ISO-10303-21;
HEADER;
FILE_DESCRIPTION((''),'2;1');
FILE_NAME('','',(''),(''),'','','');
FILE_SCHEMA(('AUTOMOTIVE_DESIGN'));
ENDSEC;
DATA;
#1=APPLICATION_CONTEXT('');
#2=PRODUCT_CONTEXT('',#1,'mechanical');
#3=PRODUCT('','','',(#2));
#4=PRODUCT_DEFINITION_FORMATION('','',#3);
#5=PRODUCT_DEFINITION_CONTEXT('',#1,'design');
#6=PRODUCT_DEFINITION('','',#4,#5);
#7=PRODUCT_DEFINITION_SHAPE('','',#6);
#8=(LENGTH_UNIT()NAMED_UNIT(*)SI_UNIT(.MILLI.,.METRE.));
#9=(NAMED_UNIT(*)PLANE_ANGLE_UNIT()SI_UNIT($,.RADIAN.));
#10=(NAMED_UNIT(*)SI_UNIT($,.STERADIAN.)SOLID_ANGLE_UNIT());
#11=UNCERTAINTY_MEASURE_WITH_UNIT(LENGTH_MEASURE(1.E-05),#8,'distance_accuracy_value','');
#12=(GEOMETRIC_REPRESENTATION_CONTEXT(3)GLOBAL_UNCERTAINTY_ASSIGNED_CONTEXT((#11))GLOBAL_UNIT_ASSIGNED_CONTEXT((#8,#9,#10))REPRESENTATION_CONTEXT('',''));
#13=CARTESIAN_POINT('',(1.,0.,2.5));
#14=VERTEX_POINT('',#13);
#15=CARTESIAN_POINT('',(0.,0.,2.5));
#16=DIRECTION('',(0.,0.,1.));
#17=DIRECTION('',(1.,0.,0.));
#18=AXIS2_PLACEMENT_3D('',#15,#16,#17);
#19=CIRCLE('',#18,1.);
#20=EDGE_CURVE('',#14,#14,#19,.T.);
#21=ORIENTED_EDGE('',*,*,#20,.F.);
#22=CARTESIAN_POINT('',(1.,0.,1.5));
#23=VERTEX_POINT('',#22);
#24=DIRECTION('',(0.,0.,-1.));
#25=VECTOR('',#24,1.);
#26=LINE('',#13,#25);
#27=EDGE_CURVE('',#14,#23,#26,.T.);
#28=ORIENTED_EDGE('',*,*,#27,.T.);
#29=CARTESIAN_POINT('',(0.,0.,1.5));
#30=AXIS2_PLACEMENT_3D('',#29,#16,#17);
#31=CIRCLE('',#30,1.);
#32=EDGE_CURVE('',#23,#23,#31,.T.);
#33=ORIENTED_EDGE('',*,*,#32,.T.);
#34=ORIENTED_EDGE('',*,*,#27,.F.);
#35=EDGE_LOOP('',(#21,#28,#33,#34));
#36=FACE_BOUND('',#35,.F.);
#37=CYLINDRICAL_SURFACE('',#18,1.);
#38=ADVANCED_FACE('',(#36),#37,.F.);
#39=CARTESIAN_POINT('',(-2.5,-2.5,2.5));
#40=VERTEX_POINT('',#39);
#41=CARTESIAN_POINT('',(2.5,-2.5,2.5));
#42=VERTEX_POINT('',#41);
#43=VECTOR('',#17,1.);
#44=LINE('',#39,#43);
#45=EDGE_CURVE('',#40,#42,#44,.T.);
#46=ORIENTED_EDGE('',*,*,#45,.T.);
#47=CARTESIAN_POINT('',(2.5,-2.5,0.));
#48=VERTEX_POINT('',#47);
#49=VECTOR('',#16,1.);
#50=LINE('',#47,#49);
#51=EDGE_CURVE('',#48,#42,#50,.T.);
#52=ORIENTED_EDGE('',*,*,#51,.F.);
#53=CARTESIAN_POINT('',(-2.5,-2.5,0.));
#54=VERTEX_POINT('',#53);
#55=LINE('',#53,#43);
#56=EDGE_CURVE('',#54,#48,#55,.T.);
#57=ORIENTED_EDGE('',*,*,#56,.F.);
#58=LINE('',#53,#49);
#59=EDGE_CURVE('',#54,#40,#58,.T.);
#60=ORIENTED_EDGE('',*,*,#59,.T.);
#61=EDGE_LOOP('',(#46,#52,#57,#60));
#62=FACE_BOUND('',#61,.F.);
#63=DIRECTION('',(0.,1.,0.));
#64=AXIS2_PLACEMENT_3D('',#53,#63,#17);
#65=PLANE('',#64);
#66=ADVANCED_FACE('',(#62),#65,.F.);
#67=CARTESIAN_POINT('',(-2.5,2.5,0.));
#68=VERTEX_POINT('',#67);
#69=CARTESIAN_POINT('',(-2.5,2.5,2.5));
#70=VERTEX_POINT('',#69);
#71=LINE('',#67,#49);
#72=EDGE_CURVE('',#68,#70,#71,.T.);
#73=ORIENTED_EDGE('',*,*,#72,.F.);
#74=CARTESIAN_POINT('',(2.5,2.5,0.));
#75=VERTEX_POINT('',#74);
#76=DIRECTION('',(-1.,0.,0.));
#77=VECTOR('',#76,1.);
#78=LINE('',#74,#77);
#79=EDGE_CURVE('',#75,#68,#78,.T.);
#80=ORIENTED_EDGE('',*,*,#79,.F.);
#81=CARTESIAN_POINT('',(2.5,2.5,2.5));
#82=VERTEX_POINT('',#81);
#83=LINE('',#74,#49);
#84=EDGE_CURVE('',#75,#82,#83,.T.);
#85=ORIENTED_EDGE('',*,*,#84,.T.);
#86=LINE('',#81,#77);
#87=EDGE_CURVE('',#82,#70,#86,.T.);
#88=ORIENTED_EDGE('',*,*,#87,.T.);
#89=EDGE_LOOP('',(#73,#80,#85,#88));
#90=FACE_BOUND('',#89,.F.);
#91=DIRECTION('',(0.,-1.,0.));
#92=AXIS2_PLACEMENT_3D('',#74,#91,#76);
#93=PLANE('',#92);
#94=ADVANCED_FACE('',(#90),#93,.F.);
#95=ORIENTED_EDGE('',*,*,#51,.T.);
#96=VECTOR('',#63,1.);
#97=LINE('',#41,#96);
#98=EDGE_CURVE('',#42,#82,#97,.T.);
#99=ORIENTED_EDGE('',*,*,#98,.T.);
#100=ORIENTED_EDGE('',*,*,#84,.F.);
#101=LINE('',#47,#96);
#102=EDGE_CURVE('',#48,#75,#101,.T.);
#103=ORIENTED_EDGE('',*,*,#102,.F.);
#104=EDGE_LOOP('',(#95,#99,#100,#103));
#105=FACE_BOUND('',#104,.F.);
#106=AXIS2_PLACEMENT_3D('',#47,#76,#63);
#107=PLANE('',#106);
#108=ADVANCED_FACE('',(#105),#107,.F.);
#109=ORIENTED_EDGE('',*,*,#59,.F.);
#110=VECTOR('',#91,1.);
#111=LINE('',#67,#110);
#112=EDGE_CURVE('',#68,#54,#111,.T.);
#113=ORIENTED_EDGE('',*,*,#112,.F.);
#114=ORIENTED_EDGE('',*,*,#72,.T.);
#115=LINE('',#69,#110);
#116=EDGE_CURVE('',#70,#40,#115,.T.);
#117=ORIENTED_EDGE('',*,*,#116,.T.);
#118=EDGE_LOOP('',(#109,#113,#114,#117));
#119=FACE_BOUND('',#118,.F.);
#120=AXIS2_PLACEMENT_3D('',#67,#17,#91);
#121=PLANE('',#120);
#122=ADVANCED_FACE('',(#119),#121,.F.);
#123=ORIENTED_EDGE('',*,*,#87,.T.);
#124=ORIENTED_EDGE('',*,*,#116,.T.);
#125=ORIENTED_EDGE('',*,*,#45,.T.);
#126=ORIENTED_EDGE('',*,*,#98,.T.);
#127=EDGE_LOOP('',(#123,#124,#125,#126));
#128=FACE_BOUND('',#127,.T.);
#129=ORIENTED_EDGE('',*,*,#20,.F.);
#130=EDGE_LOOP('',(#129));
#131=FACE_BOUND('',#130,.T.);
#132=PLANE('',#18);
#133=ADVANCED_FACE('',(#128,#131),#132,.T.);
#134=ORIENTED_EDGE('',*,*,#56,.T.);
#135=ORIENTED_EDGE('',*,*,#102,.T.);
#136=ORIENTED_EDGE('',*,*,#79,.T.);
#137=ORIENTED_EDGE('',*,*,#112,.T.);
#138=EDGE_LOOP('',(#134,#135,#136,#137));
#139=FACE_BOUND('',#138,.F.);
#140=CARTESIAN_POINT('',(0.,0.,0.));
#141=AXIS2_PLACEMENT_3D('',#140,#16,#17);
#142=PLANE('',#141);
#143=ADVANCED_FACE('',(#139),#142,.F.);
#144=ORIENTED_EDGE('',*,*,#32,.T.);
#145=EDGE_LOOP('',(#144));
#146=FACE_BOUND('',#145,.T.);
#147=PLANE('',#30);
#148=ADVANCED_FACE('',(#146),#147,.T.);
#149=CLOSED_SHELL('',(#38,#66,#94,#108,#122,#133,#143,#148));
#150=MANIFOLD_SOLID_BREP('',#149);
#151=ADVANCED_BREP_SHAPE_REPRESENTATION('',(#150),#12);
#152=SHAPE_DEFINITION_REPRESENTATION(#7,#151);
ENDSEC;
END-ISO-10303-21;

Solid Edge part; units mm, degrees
sketch "Sketch1" plane through (0, 0, 0) normal (0, 0, 1) x (1, 0, 0)
  line L0 (-2.5, -2.5) -> (2.5, -2.5)
  line L1 (2.5, -2.5) -> (2.5, 2.5)
  line L2 (2.5, 2.5) -> (-2.5, 2.5)
  line L3 (-2.5, 2.5) -> (-2.5, -2.5)
extrude "Protrusion1" add sketch "Sketch1" along normal blind 2.5
sketch "Sketch2" plane through (0, 0, 2.5) normal (0, 0, 1) x (1, 0, 0)
  circle A0 centre (0, 0) radius 1
extrude "ExtrudedCutout_2" cut sketch "Sketch2" against normal blind 1
properties material "ABS Plastic, high impact"
